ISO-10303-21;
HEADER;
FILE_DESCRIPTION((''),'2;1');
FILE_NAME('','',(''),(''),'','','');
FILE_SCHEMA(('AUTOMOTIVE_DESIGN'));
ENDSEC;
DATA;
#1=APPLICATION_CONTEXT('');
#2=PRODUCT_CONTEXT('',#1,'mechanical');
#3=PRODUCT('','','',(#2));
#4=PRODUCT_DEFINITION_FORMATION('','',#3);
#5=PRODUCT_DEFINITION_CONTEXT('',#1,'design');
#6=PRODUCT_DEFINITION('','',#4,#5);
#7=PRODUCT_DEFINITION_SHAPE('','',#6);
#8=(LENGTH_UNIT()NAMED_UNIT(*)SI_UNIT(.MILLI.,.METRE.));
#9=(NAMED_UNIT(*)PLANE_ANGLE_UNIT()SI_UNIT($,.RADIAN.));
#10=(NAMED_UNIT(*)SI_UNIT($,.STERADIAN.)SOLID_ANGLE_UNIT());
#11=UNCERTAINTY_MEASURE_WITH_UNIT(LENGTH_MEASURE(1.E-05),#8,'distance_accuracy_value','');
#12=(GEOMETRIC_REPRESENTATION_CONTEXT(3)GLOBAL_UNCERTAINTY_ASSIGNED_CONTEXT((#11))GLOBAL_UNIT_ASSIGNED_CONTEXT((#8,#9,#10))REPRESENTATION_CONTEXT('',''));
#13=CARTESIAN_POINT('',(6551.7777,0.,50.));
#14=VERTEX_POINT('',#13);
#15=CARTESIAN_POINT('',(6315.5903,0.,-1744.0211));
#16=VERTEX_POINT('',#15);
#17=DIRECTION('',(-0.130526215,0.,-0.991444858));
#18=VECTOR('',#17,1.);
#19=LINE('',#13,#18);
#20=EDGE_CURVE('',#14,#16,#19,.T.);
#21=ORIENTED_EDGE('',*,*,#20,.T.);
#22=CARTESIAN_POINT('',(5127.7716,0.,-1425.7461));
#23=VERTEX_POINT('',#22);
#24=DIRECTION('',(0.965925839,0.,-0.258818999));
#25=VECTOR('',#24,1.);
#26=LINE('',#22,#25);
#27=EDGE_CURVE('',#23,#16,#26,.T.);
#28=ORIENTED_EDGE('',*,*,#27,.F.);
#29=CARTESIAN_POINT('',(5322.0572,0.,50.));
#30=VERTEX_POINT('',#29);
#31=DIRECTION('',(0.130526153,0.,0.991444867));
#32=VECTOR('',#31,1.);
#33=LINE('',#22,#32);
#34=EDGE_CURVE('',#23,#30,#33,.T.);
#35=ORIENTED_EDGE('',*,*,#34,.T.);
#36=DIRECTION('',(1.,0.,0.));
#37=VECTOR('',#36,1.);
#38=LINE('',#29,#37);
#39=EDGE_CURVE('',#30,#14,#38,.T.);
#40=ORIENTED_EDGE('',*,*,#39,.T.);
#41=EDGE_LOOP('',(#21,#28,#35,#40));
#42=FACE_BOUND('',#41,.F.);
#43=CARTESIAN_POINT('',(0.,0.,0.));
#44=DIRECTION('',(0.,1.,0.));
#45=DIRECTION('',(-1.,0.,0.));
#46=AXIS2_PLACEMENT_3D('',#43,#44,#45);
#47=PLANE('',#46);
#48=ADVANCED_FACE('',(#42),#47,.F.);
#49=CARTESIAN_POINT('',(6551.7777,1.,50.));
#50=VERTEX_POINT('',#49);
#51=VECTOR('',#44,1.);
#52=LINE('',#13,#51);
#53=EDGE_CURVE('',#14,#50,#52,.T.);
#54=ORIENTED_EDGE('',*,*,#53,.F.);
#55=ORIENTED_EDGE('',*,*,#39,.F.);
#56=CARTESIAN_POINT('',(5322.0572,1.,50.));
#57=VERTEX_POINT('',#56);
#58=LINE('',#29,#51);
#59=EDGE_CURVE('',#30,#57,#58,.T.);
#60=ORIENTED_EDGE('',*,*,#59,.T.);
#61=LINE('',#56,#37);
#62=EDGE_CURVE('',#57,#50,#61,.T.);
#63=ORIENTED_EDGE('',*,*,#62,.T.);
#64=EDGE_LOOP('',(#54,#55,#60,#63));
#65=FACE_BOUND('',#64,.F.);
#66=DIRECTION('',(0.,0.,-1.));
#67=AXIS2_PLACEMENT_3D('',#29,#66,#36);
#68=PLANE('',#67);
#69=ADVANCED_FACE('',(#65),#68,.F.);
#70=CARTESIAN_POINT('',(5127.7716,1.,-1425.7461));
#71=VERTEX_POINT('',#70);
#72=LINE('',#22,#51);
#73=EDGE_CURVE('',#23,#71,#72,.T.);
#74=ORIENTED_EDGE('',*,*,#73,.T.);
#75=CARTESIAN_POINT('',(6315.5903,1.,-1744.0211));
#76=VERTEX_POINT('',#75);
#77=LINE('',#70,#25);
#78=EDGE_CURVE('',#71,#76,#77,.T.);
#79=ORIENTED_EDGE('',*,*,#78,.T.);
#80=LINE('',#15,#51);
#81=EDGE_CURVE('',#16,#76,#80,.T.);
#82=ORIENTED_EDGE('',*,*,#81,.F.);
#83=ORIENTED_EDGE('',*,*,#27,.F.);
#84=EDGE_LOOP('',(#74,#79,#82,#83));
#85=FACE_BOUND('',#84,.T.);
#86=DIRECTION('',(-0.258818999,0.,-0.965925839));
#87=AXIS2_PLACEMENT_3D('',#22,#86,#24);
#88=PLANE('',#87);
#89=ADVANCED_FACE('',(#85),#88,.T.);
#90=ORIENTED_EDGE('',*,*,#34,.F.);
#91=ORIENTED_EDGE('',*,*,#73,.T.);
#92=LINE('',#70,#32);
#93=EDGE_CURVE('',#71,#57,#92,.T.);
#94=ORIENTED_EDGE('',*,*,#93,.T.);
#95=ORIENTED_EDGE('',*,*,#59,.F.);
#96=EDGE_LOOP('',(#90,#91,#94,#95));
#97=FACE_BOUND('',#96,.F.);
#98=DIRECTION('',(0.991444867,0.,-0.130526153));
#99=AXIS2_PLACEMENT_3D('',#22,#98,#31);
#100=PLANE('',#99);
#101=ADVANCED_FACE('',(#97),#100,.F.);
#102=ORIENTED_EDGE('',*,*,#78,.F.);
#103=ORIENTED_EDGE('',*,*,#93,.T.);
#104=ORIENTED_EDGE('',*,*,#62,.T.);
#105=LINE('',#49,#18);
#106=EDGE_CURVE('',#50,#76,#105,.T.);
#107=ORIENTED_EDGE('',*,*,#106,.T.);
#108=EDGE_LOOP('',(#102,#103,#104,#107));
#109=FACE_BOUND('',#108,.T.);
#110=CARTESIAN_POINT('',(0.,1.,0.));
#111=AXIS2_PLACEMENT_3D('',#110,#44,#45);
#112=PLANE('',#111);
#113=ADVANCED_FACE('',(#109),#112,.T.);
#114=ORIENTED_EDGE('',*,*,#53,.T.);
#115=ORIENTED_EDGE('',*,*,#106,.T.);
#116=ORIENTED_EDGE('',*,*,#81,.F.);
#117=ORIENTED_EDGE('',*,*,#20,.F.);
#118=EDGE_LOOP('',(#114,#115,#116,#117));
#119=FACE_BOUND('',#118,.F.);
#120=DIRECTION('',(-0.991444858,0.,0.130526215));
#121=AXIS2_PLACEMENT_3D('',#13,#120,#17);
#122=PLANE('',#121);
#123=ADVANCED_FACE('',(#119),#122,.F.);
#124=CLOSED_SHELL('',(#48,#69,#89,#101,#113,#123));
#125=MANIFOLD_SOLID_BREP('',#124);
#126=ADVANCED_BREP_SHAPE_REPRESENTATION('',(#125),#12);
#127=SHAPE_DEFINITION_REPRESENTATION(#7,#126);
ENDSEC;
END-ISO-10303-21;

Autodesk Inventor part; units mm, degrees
ref_plane "YZ Plane" through (0, 0, 0) normal (1, 0, 0) x (0, 1, 0)
ref_plane "XZ Plane" through (0, 0, 0) normal (0, 1, 0) x (-1, 0, 0)
ref_plane "XY Plane" through (0, 0, 0) normal (0, 0, 1) x (1, 0, 0)
sketch "Sketch1" plane through (0, 0, 0) normal (0, 1, 0) x (-1, 0, 0)
  line L0 (0, 0) -> (-12000, 0) construction
  line L1 (0, 0) -> (-11591.1099, -3105.8285) construction
  line L2 (0, 0) -> (12000, 0) construction
  line L3 (-6551.7777, 50) -> (-6315.5903, -1744.0211)
  line L4 (-5127.7716, -1425.7461) -> (-5322.0572, 50)
  line L5 (0, 0) -> (-5224.9144, -687.873) construction
  line L6 (0, 0) -> (5270, 0) construction
  line L7 (-5127.7716, -1425.7461) -> (-6315.5903, -1744.0211)
  line L8 (-5322.0572, 50) -> (-6551.7777, 50)
  dimension "d2" = 165
  dimension "d5" = 5270
  dimension "d6" = 172.5
  dimension "d7" = 50
  dimension "d8" = 50
extrude "Extrusion1" add sketch "Sketch1" along normal blind 1
properties part number "panelDflat"
